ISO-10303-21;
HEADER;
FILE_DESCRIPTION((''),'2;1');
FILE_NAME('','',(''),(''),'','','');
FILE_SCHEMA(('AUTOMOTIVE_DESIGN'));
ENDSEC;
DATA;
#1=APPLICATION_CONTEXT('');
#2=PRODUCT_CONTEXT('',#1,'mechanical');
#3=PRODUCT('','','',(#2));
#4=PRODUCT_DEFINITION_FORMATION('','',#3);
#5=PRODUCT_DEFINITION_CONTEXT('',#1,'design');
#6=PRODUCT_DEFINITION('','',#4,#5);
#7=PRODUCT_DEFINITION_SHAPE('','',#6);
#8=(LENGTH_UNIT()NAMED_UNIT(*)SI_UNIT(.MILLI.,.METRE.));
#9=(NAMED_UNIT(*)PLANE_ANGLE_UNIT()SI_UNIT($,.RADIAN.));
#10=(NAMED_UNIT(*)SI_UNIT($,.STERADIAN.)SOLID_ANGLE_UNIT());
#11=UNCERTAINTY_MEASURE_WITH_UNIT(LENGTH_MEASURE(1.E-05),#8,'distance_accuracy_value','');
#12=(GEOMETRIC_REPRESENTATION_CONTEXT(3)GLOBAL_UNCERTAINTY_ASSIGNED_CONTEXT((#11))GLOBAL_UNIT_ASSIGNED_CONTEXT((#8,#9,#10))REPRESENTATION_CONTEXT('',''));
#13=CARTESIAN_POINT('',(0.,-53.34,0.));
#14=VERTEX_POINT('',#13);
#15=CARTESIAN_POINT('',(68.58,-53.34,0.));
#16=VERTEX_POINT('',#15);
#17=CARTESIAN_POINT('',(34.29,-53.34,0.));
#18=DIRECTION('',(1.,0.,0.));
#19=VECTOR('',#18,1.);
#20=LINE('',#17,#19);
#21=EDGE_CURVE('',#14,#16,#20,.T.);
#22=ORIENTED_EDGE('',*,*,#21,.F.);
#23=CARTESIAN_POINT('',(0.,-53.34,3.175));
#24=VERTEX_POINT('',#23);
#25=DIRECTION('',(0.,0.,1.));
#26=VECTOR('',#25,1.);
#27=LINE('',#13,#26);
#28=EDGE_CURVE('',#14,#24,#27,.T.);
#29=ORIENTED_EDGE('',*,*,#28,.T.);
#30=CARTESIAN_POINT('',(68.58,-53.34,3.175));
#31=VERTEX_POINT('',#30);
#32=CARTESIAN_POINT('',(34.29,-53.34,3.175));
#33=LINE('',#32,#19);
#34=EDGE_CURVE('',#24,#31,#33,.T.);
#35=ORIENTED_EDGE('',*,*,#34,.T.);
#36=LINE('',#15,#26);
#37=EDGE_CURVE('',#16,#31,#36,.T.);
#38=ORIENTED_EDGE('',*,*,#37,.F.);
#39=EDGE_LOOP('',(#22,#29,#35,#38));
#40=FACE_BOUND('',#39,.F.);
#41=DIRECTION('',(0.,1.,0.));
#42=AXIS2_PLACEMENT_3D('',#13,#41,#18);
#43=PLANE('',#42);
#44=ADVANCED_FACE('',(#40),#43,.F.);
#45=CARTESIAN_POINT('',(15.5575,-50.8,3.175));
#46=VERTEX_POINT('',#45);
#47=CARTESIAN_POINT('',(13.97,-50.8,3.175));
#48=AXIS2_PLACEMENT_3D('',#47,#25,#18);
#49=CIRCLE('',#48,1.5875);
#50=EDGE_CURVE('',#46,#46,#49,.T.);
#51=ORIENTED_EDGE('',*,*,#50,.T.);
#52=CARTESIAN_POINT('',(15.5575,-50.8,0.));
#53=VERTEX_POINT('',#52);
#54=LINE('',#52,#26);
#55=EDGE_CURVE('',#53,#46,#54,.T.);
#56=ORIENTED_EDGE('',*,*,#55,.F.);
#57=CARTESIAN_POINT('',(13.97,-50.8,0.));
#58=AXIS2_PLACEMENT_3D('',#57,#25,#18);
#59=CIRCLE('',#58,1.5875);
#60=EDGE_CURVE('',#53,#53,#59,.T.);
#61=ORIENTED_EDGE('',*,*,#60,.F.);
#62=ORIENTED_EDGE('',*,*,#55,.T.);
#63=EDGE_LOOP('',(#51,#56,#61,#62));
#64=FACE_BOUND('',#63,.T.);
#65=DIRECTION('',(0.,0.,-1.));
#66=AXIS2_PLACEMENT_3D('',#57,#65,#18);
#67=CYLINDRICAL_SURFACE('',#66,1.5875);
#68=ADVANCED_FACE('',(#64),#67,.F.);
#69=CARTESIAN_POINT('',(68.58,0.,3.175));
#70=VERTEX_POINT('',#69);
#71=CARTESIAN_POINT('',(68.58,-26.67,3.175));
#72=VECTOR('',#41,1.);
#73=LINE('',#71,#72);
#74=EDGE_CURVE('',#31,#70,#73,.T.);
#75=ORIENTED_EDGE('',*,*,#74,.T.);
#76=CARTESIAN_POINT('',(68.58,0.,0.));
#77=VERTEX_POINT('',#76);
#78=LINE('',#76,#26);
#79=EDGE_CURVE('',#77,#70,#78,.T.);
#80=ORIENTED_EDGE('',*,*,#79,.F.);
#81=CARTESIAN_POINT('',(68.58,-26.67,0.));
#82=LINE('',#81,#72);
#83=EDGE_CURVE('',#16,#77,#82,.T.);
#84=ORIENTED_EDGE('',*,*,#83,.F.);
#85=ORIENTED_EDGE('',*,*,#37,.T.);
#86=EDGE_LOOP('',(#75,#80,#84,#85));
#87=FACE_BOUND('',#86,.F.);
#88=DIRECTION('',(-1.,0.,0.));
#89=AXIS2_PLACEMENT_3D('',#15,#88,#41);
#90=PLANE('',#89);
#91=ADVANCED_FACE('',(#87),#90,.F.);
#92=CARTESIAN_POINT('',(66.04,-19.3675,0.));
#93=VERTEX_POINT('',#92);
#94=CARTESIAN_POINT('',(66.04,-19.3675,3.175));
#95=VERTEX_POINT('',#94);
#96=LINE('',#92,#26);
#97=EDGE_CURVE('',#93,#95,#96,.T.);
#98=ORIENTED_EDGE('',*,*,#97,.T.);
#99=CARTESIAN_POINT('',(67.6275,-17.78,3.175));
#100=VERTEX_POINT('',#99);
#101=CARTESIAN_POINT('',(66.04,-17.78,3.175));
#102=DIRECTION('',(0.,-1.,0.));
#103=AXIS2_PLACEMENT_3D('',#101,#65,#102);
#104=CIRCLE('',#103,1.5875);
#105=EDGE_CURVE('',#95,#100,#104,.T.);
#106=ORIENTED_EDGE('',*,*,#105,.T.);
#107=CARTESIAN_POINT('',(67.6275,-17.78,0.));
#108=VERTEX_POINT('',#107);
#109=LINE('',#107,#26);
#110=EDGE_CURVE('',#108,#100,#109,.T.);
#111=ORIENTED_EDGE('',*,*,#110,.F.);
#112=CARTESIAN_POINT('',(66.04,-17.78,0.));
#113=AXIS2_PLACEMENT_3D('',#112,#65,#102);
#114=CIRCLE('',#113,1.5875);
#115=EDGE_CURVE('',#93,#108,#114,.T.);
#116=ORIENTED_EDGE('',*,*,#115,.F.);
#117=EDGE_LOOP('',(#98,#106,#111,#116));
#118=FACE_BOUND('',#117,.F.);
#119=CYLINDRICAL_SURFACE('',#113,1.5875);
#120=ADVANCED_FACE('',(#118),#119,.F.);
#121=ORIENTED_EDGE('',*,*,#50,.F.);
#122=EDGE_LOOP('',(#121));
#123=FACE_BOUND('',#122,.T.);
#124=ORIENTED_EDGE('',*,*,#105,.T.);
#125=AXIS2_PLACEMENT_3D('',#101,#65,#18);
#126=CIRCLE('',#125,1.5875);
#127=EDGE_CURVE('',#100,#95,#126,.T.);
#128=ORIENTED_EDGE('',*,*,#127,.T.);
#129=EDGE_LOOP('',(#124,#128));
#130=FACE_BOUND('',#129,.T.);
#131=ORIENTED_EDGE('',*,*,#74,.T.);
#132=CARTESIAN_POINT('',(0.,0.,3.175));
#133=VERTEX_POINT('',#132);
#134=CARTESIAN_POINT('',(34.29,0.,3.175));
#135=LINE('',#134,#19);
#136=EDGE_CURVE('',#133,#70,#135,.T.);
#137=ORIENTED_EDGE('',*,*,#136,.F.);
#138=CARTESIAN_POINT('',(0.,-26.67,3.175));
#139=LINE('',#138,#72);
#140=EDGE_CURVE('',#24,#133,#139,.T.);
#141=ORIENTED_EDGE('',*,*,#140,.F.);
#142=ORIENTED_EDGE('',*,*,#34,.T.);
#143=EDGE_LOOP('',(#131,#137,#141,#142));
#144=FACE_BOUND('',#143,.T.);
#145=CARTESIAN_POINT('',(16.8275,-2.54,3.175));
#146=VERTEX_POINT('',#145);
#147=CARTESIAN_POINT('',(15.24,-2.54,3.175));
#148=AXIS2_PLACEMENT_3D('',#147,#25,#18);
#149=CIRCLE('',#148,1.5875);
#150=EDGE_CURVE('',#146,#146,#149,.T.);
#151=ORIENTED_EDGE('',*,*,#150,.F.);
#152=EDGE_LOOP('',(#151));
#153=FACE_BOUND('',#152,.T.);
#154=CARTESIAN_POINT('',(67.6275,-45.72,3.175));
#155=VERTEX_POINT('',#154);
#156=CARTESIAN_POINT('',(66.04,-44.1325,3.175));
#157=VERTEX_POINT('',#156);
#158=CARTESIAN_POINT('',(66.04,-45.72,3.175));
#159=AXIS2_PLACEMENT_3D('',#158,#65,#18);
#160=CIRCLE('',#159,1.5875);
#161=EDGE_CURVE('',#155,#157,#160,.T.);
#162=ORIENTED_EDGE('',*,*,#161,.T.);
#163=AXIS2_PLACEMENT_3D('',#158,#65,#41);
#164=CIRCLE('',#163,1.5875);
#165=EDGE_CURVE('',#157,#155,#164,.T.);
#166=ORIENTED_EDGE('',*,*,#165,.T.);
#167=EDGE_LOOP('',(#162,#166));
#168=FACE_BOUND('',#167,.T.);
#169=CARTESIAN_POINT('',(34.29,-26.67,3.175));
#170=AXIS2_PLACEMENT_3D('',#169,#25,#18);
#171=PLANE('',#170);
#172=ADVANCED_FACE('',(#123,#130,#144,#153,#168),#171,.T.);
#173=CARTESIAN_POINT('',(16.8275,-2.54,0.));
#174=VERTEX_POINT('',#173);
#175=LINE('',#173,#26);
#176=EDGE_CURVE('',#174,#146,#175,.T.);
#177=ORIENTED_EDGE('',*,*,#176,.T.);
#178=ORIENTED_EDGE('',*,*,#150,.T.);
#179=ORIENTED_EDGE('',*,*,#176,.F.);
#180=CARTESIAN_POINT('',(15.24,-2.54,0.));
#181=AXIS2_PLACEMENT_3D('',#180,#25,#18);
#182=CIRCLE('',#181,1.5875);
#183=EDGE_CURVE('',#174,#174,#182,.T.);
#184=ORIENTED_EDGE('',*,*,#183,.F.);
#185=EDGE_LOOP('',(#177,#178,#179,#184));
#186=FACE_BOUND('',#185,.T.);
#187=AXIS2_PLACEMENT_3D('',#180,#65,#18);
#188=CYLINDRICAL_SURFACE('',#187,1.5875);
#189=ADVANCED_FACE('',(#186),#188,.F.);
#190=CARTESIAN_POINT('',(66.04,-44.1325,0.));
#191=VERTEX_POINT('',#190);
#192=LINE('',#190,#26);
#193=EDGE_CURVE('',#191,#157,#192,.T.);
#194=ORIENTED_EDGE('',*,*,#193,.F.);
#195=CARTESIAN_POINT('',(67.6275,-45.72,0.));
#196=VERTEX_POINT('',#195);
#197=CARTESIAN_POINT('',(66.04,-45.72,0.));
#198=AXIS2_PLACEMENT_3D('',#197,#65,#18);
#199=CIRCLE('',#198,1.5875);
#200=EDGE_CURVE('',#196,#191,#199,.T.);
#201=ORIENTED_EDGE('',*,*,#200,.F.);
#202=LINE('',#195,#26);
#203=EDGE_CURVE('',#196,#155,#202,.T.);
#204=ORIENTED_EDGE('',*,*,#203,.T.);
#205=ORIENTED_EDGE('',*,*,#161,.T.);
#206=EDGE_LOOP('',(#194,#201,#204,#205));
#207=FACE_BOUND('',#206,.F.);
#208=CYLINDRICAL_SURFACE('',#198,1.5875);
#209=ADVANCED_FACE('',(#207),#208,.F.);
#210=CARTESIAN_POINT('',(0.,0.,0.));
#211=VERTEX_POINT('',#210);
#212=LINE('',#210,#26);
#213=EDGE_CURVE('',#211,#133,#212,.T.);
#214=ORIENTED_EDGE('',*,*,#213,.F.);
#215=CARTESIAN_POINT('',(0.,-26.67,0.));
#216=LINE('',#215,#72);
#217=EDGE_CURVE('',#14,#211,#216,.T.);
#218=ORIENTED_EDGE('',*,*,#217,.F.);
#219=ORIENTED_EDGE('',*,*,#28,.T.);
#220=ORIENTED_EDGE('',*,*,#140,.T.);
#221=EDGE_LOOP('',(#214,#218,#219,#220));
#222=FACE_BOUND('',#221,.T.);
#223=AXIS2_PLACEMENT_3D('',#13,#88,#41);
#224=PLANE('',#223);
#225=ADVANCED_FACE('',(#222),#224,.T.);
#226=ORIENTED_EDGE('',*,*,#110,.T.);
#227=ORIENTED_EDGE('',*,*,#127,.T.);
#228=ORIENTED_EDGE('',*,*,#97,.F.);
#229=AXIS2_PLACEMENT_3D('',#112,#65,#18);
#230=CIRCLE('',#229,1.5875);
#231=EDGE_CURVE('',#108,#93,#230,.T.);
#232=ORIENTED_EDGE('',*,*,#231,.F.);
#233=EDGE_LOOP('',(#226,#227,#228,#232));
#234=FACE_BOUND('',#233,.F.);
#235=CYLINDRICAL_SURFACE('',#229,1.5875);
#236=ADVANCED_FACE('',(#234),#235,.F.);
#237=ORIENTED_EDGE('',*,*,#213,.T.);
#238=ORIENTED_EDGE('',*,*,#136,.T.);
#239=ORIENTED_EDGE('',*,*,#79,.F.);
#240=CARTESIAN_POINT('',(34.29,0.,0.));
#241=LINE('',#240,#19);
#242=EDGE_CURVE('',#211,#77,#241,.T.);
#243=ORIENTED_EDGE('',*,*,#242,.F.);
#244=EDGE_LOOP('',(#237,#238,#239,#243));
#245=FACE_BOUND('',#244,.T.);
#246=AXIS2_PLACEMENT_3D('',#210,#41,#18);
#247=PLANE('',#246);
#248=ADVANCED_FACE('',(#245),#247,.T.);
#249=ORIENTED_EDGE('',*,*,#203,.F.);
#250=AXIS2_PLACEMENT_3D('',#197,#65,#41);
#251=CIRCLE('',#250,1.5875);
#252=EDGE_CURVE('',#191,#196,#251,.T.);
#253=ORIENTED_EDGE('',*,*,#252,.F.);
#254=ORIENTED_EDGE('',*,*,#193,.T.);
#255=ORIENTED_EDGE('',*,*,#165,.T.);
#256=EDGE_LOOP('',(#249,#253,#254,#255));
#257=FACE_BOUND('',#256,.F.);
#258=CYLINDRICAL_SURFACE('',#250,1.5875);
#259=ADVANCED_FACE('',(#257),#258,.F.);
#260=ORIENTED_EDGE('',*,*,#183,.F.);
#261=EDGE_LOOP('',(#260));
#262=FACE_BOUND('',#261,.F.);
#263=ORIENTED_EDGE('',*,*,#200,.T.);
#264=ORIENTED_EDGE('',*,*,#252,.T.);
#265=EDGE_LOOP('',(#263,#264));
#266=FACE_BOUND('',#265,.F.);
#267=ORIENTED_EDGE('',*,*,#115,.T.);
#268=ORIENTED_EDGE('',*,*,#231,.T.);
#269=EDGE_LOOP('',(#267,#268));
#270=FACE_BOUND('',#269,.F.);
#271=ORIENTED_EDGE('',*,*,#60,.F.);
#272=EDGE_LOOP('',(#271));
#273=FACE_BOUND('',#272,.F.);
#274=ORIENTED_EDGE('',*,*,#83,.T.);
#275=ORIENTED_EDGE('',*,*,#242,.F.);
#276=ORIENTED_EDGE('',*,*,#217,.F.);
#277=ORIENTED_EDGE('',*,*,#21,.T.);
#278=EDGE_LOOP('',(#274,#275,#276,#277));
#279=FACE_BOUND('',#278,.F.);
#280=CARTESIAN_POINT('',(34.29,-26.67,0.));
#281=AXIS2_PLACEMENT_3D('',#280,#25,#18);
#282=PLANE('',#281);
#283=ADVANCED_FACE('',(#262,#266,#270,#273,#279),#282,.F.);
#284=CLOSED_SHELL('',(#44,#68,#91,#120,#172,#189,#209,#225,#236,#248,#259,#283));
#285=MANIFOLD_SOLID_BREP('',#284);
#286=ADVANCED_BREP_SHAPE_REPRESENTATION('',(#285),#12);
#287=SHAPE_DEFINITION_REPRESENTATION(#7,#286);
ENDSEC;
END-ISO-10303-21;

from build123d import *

# Parameters (mm, degrees)
F0_W     = 68.58
F0_H     = 53.34
F0_R     = 1.5875
F1_DEPTH = 3.175


with BuildPart() as f1:
    # F0 (on Top) → F1 (new body)
    with BuildSketch(Plane.XY):
        with Locations((34.29, -26.67)):
            Rectangle(F0_W, F0_H)
        with Locations((13.97, -50.8)):
            Circle(F0_R, mode=Mode.SUBTRACT)
        with BuildLine():
            ThreePointArc((67.6275, -45.72), (64.9174679849, -46.8425320151), (66.04, -44.1325))
            ThreePointArc((66.04, -44.1325), (67.1625320151, -44.5974679849), (67.6275, -45.72))
        make_face(mode=Mode.SUBTRACT)
        with Locations((15.24, -2.54)):
            Circle(F0_R, mode=Mode.SUBTRACT)
        with BuildLine():
            ThreePointArc((67.6275, -17.78), (67.1625320151, -18.9025320151), (66.04, -19.3675))
            ThreePointArc((66.04, -19.3675), (64.9174679849, -16.6574679849), (67.6275, -17.78))
        make_face(mode=Mode.SUBTRACT)
    extrude(amount=F1_DEPTH)


solid = f1.part
